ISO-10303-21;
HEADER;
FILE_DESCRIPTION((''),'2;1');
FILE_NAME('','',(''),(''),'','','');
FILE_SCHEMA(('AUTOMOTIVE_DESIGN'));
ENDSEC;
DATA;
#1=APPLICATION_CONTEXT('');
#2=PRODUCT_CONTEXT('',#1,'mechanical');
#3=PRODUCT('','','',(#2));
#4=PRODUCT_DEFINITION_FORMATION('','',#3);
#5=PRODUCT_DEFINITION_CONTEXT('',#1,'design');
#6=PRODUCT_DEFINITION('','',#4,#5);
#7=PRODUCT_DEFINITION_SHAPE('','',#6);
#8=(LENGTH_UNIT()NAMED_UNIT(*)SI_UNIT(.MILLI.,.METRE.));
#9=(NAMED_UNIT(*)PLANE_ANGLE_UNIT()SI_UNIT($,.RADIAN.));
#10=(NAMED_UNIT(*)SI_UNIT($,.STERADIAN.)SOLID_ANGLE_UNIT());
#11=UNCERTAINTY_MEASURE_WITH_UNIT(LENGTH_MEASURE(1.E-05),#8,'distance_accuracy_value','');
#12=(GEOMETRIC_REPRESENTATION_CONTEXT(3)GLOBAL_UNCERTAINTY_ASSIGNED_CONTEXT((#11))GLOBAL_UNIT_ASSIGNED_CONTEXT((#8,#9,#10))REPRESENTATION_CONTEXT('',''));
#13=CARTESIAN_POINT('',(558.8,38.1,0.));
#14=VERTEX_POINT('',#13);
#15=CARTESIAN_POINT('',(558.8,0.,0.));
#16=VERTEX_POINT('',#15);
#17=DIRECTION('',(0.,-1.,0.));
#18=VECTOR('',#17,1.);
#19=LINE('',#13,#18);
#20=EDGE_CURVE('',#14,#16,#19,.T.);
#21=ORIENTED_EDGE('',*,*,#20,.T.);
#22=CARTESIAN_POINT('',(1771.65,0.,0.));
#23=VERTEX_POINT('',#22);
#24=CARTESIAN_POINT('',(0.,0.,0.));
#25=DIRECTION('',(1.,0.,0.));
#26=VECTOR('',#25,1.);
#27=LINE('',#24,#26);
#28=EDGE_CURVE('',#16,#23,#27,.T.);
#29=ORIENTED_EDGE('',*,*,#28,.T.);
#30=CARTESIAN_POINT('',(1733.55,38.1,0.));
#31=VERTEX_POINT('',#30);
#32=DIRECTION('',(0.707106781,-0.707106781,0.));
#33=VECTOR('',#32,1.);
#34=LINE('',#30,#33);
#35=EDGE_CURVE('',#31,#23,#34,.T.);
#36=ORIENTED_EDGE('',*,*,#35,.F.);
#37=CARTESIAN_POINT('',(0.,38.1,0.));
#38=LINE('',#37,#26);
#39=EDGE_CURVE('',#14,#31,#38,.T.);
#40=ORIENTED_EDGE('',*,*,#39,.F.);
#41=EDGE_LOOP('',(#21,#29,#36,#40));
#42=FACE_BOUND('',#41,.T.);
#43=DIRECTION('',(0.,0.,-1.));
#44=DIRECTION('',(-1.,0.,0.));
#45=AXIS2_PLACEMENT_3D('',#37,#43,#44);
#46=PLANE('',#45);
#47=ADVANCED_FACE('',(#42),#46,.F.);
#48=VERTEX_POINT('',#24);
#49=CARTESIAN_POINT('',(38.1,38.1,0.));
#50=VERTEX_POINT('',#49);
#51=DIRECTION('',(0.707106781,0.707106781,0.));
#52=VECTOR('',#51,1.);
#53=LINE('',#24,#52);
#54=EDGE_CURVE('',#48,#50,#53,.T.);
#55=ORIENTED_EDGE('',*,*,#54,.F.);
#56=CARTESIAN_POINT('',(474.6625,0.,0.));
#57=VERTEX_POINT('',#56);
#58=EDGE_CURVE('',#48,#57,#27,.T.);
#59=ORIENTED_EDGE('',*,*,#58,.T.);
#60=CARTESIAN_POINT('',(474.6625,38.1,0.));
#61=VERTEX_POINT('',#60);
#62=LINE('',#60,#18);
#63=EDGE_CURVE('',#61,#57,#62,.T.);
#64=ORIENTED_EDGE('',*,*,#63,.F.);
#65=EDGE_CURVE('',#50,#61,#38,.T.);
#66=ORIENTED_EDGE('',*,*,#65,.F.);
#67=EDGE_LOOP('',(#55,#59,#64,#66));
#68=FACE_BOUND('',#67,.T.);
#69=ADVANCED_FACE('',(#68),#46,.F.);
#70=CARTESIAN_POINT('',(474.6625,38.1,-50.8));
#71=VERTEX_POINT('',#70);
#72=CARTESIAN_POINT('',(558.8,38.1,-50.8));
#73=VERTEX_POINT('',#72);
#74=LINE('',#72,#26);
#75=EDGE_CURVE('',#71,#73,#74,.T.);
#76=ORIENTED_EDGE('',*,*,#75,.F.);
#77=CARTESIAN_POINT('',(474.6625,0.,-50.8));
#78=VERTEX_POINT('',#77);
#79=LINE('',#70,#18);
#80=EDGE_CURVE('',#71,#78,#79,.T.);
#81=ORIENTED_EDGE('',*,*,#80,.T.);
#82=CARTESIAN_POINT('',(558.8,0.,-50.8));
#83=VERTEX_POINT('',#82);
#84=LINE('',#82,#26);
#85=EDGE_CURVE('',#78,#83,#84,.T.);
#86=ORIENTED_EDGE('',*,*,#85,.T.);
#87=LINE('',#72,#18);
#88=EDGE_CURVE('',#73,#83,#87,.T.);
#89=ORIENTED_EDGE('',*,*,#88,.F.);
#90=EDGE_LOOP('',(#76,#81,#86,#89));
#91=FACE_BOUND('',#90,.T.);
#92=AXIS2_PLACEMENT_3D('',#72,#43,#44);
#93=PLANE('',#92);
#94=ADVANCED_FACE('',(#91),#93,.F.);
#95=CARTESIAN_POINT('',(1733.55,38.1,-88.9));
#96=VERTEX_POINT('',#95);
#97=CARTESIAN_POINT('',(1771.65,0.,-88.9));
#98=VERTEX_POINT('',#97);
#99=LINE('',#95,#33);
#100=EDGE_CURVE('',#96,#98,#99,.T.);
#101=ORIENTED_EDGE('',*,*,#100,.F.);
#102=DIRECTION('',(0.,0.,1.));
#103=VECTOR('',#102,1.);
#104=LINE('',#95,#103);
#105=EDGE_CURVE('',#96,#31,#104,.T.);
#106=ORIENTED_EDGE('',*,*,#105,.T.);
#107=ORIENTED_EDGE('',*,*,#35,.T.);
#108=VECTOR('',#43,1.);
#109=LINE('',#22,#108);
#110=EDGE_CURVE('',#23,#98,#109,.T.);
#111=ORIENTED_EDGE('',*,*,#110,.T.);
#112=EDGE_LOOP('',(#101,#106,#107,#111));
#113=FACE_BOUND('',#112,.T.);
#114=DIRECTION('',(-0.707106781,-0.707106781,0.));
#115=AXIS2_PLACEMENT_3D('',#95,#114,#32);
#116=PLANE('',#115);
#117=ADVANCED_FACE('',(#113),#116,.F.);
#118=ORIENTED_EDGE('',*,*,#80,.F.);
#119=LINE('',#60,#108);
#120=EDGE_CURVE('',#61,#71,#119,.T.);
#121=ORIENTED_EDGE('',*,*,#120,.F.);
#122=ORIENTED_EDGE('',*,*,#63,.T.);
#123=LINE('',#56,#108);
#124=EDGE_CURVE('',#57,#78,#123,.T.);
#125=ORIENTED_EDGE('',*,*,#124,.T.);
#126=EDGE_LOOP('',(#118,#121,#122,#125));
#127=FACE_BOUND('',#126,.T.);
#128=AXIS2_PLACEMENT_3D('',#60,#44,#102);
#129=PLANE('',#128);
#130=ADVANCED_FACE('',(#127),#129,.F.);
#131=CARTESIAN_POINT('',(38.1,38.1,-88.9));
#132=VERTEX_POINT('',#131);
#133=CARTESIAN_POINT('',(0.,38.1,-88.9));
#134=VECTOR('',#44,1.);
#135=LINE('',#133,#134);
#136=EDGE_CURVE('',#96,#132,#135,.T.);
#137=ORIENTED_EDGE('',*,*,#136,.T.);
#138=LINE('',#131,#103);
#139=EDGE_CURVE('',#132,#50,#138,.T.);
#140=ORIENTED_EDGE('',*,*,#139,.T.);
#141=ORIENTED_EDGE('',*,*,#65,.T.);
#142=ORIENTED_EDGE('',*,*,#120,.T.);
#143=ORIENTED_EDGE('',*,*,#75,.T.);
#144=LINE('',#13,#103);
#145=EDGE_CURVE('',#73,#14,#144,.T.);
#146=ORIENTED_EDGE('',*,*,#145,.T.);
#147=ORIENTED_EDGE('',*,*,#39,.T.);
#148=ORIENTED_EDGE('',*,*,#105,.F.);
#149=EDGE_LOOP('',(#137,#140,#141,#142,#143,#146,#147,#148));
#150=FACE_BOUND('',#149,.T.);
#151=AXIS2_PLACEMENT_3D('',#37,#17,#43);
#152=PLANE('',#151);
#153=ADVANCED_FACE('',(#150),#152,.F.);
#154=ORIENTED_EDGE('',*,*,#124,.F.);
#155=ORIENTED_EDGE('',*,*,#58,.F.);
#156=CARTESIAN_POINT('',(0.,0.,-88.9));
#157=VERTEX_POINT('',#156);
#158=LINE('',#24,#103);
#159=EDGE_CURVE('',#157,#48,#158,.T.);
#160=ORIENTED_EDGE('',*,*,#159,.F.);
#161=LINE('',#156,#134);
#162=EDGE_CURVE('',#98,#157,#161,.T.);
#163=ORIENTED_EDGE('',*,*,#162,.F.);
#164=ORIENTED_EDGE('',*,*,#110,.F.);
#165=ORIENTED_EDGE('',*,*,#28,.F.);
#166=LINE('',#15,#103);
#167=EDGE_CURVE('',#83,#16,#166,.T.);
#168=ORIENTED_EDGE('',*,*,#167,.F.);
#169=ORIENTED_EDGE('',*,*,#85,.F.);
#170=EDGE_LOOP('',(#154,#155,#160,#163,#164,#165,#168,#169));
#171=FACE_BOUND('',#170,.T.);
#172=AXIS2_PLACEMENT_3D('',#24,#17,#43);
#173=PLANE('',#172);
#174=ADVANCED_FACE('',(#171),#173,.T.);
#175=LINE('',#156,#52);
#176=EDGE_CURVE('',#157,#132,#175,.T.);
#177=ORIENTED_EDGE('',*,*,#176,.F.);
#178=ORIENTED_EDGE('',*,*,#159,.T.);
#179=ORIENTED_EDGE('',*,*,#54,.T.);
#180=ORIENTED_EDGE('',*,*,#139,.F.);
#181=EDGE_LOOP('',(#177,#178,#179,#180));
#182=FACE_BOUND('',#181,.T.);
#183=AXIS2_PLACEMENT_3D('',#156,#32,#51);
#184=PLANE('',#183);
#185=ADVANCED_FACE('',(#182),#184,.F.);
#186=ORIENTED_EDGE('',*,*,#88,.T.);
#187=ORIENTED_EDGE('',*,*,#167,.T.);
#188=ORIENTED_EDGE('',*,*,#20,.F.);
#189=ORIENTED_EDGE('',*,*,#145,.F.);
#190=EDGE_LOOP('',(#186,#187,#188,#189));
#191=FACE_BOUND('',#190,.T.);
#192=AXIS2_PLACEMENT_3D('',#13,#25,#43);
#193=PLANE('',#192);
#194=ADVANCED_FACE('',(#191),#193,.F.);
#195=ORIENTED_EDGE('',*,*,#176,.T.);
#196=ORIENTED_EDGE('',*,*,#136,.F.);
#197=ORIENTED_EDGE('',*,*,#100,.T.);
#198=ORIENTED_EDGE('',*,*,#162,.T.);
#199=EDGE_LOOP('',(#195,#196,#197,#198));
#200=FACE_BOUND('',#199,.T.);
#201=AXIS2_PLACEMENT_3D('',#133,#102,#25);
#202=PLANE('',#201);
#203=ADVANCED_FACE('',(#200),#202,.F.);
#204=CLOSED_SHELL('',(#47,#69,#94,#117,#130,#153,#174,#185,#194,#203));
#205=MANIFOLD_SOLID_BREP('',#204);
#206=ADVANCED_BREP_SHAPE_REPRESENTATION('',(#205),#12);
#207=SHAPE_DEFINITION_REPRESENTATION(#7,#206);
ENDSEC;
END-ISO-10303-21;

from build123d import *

# Parameters (mm, degrees)
SKETCH1_W           = 1771.65
SKETCH1_H           = 88.9
BOSS_EXTRUDE1_DEPTH = 38.1
CUT_EXTRUDE1_DEPTH  = 89.9
SKETCH3_W           = 84.1375
SKETCH3_H           = 50.8
CUT_EXTRUDE2_DEPTH  = 39.1


with BuildPart() as part:
    # Sketch1 → Boss-Extrude1 (new body)
    with BuildSketch(Plane(origin=(0, 0, 0), x_dir=(1, 0, 0), z_dir=(0, 1, 0))):
        with Locations((885.825, 44.45)):
            Rectangle(SKETCH1_W, SKETCH1_H)
    extrude(amount=BOSS_EXTRUDE1_DEPTH)

    # Sketch2 → Cut-Extrude1 (cut, through all)
    with BuildSketch(Plane.XY):
        Polygon((0, 0), (38.1, 38.1), (0, 38.1), align=None)
        Polygon((1771.65, 0), (1771.65, 38.1), (1733.55, 38.1), align=None)
    extrude(amount=-CUT_EXTRUDE1_DEPTH, mode=Mode.SUBTRACT)

    # Sketch3 → Cut-Extrude2 (cut, through all)
    with BuildSketch(Plane.XZ):
        with Locations((516.73125, -25.4)):
            Rectangle(SKETCH3_W, SKETCH3_H)
    extrude(amount=-CUT_EXTRUDE2_DEPTH, mode=Mode.SUBTRACT)


solid = part.part
